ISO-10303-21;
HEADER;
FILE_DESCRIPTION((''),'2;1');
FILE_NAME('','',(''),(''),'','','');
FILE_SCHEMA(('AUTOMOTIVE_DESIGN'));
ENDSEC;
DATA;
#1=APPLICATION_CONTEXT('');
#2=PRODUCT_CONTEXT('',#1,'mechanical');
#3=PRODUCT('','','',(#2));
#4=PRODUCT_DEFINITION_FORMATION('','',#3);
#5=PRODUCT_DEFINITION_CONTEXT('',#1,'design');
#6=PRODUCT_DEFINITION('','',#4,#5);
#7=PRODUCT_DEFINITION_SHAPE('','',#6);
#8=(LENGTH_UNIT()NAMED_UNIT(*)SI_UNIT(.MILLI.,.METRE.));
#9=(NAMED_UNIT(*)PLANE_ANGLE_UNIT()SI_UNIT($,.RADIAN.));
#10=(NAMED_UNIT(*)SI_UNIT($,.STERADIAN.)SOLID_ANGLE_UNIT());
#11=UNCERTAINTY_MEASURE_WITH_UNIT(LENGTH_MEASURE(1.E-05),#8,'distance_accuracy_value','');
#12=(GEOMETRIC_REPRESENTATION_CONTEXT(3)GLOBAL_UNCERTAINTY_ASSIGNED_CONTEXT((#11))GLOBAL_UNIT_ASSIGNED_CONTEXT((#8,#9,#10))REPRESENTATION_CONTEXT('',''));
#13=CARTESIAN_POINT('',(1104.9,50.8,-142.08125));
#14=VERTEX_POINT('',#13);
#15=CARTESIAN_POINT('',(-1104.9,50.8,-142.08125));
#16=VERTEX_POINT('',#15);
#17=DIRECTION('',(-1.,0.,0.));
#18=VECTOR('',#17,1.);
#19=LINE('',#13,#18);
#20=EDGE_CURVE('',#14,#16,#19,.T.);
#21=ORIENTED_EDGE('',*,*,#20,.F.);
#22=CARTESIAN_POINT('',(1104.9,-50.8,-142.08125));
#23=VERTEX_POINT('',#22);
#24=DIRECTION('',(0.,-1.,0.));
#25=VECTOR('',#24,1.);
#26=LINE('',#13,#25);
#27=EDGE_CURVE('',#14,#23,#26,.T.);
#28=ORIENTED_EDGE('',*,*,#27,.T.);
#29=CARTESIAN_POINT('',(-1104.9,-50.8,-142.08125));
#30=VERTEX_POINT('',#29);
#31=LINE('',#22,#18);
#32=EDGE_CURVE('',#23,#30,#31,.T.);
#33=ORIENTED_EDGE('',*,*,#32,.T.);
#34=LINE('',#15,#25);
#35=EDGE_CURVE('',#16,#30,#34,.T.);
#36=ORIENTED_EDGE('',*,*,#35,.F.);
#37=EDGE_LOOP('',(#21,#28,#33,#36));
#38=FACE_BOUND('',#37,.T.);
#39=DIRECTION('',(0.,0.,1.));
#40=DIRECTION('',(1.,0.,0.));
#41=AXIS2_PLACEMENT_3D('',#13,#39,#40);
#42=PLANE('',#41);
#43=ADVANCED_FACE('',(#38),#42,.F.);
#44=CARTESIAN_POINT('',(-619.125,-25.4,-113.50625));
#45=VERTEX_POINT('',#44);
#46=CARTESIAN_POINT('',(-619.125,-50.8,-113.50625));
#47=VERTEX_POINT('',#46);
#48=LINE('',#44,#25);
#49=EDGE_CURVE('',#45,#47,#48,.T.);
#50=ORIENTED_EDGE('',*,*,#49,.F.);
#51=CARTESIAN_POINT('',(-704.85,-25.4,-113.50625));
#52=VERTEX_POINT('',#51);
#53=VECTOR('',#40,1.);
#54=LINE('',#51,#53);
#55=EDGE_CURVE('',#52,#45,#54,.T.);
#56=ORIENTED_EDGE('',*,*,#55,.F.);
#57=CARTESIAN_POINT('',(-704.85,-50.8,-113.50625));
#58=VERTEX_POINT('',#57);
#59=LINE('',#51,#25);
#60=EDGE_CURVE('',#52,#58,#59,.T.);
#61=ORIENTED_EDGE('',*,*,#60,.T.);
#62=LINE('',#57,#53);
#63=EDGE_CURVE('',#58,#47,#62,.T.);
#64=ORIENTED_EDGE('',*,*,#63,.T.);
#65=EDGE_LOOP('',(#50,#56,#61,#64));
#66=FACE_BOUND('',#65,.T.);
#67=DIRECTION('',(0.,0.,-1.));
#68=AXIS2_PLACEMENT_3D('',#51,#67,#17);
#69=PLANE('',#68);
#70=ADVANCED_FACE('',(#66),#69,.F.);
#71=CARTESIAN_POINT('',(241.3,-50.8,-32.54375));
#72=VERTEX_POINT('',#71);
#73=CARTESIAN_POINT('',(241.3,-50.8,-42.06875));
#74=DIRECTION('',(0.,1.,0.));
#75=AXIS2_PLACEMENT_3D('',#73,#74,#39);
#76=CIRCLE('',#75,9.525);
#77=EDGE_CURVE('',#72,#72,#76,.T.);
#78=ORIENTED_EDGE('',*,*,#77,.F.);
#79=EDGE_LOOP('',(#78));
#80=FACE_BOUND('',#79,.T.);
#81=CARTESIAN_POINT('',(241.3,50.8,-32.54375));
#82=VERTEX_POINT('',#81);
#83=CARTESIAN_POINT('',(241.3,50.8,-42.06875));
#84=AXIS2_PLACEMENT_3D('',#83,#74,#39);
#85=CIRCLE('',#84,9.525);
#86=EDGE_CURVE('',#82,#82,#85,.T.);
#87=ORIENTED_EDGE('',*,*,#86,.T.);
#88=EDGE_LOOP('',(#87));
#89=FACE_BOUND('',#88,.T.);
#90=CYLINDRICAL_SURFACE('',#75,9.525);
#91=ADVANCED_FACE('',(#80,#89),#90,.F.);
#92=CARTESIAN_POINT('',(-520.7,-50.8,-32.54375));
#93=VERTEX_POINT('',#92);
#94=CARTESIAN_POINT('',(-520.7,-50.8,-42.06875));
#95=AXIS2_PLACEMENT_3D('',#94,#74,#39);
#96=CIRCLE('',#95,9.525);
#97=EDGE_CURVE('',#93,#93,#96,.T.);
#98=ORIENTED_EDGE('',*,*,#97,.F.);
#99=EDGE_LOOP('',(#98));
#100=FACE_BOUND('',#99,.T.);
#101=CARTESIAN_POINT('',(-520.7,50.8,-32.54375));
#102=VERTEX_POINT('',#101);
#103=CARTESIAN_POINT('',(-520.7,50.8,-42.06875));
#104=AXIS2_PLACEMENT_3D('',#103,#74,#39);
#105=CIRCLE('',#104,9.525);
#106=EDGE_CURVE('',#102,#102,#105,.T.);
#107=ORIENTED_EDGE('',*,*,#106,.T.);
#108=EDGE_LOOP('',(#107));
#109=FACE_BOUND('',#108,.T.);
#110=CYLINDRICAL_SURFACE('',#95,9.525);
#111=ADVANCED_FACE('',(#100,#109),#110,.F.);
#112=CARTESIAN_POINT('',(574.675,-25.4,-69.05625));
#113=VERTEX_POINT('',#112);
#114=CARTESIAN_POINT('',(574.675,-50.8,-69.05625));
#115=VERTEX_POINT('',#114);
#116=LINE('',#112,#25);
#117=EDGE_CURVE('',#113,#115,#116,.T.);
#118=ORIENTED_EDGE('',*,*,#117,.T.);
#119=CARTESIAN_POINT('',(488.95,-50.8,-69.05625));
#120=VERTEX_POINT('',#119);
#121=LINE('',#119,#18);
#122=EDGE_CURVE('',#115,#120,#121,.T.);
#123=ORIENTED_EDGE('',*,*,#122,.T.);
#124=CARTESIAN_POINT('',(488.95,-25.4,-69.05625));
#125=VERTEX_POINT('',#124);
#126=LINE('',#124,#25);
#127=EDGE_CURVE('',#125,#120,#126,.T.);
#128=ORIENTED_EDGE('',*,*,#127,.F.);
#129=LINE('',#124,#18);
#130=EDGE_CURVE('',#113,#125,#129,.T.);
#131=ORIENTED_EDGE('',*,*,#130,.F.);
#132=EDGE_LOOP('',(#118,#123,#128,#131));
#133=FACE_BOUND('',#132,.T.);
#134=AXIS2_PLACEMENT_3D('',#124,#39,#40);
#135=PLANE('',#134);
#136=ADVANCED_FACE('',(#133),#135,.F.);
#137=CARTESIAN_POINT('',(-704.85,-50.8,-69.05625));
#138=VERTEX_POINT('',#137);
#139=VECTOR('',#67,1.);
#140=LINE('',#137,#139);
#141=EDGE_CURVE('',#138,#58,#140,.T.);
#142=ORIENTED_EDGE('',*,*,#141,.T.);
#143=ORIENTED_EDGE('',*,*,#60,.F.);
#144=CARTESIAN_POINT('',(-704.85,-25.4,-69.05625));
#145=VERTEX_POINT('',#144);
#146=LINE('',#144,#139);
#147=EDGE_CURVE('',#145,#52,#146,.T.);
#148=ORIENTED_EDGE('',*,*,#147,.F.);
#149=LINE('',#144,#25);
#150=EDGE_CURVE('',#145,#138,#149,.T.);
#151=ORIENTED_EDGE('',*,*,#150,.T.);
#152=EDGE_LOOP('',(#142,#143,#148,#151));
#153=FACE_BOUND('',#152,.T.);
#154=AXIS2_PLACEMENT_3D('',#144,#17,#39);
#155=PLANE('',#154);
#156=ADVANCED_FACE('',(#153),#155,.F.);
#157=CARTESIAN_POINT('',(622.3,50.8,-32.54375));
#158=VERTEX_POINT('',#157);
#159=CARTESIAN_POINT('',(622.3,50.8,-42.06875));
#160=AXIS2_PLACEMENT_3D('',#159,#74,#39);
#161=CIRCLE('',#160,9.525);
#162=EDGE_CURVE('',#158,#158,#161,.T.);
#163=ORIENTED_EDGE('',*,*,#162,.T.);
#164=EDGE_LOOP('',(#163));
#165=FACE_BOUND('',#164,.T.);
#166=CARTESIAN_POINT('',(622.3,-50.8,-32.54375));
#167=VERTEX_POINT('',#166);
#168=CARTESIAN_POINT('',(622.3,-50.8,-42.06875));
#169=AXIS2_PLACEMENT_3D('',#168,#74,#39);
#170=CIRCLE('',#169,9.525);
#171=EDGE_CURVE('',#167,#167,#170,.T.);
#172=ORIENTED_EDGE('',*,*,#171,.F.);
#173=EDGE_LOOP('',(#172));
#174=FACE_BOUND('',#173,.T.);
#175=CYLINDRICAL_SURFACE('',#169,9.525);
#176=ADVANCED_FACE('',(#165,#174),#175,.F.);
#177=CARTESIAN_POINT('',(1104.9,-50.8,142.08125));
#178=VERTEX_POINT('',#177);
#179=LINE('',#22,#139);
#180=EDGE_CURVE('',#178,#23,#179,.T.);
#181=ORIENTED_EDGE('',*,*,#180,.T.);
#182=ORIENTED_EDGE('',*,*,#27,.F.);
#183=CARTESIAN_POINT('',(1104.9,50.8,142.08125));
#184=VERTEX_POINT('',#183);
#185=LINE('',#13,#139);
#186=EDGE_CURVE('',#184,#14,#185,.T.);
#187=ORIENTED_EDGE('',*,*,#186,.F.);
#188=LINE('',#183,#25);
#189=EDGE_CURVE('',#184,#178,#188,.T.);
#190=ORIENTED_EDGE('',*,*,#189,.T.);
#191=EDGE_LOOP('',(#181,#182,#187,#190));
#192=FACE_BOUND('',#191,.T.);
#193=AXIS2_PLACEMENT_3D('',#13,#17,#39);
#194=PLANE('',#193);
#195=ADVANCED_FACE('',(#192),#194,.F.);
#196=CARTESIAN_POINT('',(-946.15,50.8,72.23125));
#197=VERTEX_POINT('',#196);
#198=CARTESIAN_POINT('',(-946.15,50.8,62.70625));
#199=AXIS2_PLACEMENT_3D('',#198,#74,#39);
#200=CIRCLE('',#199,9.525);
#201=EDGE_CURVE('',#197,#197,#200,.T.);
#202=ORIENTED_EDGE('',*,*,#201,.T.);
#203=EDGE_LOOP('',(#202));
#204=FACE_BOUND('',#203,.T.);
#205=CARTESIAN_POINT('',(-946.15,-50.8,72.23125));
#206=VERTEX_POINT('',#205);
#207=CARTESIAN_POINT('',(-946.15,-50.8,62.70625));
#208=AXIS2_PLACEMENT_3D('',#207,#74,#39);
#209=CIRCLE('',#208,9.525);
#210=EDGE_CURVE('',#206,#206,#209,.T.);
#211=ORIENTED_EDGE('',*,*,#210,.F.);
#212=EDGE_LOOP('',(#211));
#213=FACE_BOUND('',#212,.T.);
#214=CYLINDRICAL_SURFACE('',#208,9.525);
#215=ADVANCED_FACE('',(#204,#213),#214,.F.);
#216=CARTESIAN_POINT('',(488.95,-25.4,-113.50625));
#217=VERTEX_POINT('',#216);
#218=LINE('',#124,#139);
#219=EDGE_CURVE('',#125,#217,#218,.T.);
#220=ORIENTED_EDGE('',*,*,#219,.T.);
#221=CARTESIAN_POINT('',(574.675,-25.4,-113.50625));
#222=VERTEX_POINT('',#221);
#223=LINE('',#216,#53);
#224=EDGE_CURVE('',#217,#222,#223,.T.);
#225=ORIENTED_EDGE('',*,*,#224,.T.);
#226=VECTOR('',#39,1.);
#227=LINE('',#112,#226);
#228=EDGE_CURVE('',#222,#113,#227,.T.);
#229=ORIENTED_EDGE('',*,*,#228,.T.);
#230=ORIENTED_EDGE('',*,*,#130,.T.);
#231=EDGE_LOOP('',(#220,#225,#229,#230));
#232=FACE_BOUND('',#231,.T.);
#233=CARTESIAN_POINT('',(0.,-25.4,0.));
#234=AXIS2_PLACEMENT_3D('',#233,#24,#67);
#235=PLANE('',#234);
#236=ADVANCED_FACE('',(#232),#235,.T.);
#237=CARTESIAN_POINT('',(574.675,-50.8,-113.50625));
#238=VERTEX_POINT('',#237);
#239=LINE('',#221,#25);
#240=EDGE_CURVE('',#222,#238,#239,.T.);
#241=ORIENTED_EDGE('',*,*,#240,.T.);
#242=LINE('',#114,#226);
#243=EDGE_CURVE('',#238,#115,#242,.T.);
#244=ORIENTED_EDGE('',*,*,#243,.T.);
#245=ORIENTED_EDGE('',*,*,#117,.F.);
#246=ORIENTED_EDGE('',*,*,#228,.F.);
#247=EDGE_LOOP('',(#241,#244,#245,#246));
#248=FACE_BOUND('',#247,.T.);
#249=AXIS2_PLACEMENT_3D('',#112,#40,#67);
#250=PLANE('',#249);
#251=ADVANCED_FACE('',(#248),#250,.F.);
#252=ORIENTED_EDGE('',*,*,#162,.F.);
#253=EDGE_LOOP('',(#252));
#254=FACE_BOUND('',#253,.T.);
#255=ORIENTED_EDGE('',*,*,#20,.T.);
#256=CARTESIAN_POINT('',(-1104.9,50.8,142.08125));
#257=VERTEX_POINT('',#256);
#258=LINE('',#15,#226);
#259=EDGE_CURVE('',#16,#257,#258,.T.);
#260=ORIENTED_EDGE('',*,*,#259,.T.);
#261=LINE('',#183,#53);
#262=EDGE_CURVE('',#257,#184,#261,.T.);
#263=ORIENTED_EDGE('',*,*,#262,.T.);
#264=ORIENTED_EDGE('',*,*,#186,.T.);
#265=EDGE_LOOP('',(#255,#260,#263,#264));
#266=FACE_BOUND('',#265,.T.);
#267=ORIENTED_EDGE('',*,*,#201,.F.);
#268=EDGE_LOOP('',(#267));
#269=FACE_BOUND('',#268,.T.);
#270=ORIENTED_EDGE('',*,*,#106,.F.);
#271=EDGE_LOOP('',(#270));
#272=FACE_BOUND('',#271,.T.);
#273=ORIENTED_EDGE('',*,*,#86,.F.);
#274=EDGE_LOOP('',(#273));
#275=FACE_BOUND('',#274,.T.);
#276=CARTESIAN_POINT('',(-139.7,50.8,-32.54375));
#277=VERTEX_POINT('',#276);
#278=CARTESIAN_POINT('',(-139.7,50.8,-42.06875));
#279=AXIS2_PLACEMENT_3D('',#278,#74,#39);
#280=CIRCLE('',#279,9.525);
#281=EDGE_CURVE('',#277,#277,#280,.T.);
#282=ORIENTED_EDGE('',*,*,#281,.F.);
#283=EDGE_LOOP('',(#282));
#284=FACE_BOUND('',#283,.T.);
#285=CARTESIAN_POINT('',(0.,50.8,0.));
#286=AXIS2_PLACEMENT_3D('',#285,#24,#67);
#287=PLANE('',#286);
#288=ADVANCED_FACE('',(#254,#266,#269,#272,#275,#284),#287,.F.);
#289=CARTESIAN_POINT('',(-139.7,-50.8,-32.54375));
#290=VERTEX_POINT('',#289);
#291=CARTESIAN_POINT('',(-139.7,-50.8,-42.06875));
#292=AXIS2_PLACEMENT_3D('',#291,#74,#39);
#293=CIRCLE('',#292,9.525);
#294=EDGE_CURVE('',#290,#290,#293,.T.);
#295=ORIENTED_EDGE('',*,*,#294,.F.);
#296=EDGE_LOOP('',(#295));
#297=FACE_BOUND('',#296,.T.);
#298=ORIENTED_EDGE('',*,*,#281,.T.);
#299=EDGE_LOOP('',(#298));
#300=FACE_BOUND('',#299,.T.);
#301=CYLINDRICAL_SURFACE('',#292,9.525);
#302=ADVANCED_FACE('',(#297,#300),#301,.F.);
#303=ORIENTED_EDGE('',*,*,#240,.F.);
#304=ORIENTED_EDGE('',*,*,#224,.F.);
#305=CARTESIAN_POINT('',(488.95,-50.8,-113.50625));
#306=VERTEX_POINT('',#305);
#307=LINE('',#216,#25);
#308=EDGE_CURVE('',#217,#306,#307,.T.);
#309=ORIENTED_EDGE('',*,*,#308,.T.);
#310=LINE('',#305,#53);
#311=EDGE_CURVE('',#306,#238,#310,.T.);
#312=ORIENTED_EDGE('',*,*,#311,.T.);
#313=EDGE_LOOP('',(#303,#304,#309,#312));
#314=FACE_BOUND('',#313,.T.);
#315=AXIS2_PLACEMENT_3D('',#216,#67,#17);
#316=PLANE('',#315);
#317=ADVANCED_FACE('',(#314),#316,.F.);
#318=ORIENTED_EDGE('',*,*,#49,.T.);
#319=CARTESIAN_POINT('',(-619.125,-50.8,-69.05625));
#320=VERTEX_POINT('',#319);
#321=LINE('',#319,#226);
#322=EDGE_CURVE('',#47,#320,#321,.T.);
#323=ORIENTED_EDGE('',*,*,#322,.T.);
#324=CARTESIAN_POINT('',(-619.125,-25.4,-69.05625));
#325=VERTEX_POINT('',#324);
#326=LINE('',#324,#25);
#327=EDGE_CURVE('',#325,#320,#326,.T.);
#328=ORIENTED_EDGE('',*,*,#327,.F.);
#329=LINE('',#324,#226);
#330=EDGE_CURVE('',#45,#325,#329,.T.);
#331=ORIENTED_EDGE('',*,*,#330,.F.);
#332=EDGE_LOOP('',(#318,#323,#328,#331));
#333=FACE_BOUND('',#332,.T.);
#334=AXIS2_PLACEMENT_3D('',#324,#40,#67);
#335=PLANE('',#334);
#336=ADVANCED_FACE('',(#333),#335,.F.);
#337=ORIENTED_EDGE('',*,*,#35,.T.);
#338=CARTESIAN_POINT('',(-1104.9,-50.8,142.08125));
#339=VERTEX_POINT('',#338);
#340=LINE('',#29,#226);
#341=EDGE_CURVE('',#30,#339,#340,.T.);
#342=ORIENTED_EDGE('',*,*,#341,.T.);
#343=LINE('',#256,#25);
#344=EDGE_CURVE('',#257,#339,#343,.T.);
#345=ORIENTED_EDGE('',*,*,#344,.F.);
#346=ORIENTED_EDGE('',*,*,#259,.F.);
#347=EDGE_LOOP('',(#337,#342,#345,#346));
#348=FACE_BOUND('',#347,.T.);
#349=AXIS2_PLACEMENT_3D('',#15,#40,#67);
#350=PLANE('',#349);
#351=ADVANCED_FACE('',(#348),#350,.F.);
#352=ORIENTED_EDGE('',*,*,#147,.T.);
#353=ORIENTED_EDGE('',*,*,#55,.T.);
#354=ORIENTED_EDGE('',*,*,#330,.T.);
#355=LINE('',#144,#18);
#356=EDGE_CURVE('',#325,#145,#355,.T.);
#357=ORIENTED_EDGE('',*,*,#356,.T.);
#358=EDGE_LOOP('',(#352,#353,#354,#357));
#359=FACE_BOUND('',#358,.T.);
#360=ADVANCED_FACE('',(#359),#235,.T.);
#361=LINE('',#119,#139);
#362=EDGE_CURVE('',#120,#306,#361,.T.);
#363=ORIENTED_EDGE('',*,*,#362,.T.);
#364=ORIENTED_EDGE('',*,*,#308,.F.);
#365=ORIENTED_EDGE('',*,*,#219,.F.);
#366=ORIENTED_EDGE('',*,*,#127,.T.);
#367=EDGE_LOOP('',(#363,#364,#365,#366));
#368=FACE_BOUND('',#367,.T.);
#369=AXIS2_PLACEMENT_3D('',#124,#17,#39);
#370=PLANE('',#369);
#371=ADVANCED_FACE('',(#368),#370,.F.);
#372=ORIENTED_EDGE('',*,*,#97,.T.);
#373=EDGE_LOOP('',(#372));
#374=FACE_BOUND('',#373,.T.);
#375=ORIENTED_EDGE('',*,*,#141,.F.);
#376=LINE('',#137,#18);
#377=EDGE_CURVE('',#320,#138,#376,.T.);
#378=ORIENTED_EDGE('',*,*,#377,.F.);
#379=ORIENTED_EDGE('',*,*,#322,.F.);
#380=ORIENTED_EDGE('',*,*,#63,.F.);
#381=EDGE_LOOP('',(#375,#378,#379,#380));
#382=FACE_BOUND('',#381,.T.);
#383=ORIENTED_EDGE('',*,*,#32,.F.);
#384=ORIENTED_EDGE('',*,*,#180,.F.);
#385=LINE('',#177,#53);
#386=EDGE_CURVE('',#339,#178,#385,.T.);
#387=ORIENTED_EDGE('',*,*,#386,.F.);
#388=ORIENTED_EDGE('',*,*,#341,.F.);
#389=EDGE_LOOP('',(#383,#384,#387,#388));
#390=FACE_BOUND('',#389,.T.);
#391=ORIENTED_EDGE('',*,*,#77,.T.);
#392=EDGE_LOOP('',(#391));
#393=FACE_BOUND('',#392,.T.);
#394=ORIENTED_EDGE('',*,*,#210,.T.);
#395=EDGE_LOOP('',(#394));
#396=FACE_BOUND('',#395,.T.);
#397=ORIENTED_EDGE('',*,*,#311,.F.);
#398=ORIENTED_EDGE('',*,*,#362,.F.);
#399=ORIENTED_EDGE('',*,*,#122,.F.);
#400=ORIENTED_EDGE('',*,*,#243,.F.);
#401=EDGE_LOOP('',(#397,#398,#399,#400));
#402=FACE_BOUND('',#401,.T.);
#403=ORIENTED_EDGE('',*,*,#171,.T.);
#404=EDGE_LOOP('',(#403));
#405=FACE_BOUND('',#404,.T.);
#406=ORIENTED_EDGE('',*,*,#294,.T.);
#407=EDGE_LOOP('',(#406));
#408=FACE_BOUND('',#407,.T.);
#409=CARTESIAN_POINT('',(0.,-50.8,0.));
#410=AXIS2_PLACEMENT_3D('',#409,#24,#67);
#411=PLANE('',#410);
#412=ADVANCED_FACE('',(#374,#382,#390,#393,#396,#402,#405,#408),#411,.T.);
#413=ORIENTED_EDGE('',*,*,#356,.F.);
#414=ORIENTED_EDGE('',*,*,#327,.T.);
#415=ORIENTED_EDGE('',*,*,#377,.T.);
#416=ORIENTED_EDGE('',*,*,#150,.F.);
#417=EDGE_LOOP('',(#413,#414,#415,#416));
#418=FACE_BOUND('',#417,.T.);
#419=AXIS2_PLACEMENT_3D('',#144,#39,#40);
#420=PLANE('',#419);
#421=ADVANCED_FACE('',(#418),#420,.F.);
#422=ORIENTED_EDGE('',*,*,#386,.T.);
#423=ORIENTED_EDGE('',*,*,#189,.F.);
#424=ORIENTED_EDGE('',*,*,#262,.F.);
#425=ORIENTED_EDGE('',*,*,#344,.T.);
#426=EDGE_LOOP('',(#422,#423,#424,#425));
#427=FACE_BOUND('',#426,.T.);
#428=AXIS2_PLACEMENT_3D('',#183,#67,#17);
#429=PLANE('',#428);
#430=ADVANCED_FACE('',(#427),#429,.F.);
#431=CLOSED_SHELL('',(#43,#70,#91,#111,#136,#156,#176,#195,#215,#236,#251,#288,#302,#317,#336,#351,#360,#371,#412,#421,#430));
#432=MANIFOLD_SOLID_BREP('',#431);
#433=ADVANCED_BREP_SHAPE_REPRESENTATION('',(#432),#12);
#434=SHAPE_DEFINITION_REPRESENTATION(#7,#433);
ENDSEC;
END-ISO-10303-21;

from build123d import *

# Parameters (mm, degrees)
SKETCH1_W           = 2209.8
SKETCH1_H           = 284.1625
BOSS_EXTRUDE1_DEPTH = 50.8
SKETCH2_R           = 9.525
CUT_EXTRUDE1_DEPTH  = 1119.621317337
SKETCH3_W           = 85.725
SKETCH3_H           = 44.45
CUT_EXTRUDE2_DEPTH  = 25.4


with BuildPart() as part:
    # Sketch1 → Boss-Extrude1 (new, symmetric)
    with BuildSketch(Plane(origin=(0, 0, 0), x_dir=(1, 0, 0), z_dir=(0, 1, 0))):
        Rectangle(SKETCH1_W, SKETCH1_H)
    extrude(amount=BOSS_EXTRUDE1_DEPTH, both=True)

    # Sketch2 → Cut-Extrude1 (cut, through all)
    with BuildSketch(Plane(origin=(0, 50.8, 0), x_dir=(1, 0, 0), z_dir=(0, 1, 0))):
        with Locations(Location((-946.15, -62.70625, 0), (0, 0, 270))):
            Circle(SKETCH2_R)
        with Locations(Location((-520.7, 42.06875, 0), (0, 0, 270))):
            Circle(SKETCH2_R)
        with Locations(Location((-139.7, 42.06875, 0), (0, 0, 270))):
            Circle(SKETCH2_R)
        with Locations(Location((241.3, 42.06875, 0), (0, 0, 270))):
            Circle(SKETCH2_R)
        with Locations(Location((622.3, 42.06875, 0), (0, 0, 270))):
            Circle(SKETCH2_R)
    extrude(amount=-CUT_EXTRUDE1_DEPTH, mode=Mode.SUBTRACT)

    # Sketch3 → Cut-Extrude2 (cut)
    with BuildSketch(Plane.XZ.offset(50.8)):
        with Locations((531.8125, -91.28125)):
            Rectangle(SKETCH3_W, SKETCH3_H)
        with Locations((-661.9875, -91.28125)):
            Rectangle(SKETCH3_W, SKETCH3_H)
    extrude(amount=-CUT_EXTRUDE2_DEPTH, mode=Mode.SUBTRACT)


solid = part.part
